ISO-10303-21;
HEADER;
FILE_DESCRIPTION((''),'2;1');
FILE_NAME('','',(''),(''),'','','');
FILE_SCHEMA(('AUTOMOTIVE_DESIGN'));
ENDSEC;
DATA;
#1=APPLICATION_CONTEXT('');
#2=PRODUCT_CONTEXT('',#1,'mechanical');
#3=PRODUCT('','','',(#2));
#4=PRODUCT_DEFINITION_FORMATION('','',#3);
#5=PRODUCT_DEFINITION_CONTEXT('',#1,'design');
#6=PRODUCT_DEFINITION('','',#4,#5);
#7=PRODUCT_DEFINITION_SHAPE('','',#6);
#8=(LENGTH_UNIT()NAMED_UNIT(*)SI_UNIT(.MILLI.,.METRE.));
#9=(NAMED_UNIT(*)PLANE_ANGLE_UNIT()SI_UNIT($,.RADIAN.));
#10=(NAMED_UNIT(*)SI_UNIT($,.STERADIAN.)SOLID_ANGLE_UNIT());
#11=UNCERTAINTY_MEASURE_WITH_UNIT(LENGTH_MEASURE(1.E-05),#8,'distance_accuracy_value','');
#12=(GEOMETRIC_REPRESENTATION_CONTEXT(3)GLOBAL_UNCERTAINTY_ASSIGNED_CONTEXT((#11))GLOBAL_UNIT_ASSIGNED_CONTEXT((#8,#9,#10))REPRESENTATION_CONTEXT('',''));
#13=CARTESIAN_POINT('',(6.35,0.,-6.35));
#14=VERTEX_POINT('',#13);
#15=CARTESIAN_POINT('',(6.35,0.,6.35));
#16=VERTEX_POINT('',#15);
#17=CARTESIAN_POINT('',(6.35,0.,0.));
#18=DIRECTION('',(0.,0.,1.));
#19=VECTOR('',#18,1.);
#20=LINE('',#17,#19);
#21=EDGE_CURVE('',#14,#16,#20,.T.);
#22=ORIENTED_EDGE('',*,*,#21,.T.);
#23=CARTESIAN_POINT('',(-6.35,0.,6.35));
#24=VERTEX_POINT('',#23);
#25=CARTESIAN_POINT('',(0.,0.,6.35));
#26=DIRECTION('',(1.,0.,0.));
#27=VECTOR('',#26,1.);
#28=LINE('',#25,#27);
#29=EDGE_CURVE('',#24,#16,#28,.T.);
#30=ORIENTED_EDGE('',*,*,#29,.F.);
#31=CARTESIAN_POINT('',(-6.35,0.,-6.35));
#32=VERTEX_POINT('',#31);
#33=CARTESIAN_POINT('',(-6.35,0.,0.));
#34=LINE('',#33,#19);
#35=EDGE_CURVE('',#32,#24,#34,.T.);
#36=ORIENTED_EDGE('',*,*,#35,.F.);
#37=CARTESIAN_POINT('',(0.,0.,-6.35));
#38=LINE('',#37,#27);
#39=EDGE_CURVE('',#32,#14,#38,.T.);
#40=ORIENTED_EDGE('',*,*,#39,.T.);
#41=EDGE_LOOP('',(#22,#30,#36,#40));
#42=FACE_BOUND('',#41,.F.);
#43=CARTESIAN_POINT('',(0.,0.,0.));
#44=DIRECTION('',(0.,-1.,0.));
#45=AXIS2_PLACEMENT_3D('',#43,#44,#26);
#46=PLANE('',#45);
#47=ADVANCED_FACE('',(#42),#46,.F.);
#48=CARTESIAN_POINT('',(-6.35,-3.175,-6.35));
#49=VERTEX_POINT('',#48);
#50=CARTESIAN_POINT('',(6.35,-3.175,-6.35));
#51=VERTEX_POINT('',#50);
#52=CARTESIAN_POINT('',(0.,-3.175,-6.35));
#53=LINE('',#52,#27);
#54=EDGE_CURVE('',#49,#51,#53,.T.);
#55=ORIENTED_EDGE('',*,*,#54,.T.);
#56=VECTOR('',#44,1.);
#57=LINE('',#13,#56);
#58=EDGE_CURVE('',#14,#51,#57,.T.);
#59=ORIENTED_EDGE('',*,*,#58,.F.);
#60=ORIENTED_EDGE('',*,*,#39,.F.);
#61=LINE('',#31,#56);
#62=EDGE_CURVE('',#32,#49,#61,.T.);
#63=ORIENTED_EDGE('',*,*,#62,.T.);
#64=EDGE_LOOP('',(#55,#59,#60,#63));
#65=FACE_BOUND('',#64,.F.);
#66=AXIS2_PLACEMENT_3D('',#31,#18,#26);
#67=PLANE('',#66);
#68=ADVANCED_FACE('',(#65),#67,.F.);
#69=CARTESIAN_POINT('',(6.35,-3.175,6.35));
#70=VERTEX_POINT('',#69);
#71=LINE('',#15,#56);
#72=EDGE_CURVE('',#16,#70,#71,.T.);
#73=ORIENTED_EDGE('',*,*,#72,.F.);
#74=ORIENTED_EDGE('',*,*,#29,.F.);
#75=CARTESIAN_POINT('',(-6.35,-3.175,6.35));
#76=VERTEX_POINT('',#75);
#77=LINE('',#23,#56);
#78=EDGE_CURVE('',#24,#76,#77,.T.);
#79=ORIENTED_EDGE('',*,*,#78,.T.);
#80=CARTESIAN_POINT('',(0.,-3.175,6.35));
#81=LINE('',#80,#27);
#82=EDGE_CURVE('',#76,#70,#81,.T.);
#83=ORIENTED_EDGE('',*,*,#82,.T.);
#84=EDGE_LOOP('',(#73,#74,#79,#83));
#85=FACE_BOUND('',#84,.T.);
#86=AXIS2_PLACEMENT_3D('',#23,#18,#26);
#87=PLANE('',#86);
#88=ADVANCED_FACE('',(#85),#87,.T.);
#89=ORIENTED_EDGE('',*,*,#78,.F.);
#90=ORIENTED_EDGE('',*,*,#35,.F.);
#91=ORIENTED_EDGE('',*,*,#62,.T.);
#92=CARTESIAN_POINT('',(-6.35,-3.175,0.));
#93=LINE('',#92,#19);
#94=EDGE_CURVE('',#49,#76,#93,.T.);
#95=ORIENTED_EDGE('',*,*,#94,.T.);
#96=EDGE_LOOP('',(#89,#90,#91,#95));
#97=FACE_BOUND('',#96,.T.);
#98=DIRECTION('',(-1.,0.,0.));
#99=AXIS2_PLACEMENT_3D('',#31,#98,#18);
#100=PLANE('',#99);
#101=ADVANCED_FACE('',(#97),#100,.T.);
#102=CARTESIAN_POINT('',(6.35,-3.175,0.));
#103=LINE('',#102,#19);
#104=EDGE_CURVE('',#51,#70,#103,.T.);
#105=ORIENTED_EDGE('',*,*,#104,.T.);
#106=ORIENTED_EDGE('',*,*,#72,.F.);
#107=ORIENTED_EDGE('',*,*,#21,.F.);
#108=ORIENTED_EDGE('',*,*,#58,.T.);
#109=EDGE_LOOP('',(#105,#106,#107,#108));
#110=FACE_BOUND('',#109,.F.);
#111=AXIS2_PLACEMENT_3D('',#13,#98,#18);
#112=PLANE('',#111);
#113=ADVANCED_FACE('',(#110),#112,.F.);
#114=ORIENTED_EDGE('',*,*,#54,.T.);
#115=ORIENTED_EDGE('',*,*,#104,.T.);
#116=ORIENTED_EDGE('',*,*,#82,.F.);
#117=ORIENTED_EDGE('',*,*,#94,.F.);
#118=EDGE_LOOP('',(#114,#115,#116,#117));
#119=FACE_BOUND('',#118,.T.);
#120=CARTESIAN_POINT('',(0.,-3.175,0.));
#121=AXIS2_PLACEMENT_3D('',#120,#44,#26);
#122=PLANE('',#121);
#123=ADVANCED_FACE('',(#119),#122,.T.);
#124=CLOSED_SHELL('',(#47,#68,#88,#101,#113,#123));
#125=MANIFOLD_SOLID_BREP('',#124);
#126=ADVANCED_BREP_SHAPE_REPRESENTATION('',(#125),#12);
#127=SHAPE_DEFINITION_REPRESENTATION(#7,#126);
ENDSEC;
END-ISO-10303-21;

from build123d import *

# Parameters (mm, degrees)
F0_W     = 12.7
F0_H     = 12.7
F1_DEPTH = 3.175


with BuildPart() as f1:
    # F0 (on Front) → F1 (new body)
    with BuildSketch(Plane.XZ):
        Rectangle(F0_W, F0_H)
    extrude(amount=F1_DEPTH)


solid = f1.part
